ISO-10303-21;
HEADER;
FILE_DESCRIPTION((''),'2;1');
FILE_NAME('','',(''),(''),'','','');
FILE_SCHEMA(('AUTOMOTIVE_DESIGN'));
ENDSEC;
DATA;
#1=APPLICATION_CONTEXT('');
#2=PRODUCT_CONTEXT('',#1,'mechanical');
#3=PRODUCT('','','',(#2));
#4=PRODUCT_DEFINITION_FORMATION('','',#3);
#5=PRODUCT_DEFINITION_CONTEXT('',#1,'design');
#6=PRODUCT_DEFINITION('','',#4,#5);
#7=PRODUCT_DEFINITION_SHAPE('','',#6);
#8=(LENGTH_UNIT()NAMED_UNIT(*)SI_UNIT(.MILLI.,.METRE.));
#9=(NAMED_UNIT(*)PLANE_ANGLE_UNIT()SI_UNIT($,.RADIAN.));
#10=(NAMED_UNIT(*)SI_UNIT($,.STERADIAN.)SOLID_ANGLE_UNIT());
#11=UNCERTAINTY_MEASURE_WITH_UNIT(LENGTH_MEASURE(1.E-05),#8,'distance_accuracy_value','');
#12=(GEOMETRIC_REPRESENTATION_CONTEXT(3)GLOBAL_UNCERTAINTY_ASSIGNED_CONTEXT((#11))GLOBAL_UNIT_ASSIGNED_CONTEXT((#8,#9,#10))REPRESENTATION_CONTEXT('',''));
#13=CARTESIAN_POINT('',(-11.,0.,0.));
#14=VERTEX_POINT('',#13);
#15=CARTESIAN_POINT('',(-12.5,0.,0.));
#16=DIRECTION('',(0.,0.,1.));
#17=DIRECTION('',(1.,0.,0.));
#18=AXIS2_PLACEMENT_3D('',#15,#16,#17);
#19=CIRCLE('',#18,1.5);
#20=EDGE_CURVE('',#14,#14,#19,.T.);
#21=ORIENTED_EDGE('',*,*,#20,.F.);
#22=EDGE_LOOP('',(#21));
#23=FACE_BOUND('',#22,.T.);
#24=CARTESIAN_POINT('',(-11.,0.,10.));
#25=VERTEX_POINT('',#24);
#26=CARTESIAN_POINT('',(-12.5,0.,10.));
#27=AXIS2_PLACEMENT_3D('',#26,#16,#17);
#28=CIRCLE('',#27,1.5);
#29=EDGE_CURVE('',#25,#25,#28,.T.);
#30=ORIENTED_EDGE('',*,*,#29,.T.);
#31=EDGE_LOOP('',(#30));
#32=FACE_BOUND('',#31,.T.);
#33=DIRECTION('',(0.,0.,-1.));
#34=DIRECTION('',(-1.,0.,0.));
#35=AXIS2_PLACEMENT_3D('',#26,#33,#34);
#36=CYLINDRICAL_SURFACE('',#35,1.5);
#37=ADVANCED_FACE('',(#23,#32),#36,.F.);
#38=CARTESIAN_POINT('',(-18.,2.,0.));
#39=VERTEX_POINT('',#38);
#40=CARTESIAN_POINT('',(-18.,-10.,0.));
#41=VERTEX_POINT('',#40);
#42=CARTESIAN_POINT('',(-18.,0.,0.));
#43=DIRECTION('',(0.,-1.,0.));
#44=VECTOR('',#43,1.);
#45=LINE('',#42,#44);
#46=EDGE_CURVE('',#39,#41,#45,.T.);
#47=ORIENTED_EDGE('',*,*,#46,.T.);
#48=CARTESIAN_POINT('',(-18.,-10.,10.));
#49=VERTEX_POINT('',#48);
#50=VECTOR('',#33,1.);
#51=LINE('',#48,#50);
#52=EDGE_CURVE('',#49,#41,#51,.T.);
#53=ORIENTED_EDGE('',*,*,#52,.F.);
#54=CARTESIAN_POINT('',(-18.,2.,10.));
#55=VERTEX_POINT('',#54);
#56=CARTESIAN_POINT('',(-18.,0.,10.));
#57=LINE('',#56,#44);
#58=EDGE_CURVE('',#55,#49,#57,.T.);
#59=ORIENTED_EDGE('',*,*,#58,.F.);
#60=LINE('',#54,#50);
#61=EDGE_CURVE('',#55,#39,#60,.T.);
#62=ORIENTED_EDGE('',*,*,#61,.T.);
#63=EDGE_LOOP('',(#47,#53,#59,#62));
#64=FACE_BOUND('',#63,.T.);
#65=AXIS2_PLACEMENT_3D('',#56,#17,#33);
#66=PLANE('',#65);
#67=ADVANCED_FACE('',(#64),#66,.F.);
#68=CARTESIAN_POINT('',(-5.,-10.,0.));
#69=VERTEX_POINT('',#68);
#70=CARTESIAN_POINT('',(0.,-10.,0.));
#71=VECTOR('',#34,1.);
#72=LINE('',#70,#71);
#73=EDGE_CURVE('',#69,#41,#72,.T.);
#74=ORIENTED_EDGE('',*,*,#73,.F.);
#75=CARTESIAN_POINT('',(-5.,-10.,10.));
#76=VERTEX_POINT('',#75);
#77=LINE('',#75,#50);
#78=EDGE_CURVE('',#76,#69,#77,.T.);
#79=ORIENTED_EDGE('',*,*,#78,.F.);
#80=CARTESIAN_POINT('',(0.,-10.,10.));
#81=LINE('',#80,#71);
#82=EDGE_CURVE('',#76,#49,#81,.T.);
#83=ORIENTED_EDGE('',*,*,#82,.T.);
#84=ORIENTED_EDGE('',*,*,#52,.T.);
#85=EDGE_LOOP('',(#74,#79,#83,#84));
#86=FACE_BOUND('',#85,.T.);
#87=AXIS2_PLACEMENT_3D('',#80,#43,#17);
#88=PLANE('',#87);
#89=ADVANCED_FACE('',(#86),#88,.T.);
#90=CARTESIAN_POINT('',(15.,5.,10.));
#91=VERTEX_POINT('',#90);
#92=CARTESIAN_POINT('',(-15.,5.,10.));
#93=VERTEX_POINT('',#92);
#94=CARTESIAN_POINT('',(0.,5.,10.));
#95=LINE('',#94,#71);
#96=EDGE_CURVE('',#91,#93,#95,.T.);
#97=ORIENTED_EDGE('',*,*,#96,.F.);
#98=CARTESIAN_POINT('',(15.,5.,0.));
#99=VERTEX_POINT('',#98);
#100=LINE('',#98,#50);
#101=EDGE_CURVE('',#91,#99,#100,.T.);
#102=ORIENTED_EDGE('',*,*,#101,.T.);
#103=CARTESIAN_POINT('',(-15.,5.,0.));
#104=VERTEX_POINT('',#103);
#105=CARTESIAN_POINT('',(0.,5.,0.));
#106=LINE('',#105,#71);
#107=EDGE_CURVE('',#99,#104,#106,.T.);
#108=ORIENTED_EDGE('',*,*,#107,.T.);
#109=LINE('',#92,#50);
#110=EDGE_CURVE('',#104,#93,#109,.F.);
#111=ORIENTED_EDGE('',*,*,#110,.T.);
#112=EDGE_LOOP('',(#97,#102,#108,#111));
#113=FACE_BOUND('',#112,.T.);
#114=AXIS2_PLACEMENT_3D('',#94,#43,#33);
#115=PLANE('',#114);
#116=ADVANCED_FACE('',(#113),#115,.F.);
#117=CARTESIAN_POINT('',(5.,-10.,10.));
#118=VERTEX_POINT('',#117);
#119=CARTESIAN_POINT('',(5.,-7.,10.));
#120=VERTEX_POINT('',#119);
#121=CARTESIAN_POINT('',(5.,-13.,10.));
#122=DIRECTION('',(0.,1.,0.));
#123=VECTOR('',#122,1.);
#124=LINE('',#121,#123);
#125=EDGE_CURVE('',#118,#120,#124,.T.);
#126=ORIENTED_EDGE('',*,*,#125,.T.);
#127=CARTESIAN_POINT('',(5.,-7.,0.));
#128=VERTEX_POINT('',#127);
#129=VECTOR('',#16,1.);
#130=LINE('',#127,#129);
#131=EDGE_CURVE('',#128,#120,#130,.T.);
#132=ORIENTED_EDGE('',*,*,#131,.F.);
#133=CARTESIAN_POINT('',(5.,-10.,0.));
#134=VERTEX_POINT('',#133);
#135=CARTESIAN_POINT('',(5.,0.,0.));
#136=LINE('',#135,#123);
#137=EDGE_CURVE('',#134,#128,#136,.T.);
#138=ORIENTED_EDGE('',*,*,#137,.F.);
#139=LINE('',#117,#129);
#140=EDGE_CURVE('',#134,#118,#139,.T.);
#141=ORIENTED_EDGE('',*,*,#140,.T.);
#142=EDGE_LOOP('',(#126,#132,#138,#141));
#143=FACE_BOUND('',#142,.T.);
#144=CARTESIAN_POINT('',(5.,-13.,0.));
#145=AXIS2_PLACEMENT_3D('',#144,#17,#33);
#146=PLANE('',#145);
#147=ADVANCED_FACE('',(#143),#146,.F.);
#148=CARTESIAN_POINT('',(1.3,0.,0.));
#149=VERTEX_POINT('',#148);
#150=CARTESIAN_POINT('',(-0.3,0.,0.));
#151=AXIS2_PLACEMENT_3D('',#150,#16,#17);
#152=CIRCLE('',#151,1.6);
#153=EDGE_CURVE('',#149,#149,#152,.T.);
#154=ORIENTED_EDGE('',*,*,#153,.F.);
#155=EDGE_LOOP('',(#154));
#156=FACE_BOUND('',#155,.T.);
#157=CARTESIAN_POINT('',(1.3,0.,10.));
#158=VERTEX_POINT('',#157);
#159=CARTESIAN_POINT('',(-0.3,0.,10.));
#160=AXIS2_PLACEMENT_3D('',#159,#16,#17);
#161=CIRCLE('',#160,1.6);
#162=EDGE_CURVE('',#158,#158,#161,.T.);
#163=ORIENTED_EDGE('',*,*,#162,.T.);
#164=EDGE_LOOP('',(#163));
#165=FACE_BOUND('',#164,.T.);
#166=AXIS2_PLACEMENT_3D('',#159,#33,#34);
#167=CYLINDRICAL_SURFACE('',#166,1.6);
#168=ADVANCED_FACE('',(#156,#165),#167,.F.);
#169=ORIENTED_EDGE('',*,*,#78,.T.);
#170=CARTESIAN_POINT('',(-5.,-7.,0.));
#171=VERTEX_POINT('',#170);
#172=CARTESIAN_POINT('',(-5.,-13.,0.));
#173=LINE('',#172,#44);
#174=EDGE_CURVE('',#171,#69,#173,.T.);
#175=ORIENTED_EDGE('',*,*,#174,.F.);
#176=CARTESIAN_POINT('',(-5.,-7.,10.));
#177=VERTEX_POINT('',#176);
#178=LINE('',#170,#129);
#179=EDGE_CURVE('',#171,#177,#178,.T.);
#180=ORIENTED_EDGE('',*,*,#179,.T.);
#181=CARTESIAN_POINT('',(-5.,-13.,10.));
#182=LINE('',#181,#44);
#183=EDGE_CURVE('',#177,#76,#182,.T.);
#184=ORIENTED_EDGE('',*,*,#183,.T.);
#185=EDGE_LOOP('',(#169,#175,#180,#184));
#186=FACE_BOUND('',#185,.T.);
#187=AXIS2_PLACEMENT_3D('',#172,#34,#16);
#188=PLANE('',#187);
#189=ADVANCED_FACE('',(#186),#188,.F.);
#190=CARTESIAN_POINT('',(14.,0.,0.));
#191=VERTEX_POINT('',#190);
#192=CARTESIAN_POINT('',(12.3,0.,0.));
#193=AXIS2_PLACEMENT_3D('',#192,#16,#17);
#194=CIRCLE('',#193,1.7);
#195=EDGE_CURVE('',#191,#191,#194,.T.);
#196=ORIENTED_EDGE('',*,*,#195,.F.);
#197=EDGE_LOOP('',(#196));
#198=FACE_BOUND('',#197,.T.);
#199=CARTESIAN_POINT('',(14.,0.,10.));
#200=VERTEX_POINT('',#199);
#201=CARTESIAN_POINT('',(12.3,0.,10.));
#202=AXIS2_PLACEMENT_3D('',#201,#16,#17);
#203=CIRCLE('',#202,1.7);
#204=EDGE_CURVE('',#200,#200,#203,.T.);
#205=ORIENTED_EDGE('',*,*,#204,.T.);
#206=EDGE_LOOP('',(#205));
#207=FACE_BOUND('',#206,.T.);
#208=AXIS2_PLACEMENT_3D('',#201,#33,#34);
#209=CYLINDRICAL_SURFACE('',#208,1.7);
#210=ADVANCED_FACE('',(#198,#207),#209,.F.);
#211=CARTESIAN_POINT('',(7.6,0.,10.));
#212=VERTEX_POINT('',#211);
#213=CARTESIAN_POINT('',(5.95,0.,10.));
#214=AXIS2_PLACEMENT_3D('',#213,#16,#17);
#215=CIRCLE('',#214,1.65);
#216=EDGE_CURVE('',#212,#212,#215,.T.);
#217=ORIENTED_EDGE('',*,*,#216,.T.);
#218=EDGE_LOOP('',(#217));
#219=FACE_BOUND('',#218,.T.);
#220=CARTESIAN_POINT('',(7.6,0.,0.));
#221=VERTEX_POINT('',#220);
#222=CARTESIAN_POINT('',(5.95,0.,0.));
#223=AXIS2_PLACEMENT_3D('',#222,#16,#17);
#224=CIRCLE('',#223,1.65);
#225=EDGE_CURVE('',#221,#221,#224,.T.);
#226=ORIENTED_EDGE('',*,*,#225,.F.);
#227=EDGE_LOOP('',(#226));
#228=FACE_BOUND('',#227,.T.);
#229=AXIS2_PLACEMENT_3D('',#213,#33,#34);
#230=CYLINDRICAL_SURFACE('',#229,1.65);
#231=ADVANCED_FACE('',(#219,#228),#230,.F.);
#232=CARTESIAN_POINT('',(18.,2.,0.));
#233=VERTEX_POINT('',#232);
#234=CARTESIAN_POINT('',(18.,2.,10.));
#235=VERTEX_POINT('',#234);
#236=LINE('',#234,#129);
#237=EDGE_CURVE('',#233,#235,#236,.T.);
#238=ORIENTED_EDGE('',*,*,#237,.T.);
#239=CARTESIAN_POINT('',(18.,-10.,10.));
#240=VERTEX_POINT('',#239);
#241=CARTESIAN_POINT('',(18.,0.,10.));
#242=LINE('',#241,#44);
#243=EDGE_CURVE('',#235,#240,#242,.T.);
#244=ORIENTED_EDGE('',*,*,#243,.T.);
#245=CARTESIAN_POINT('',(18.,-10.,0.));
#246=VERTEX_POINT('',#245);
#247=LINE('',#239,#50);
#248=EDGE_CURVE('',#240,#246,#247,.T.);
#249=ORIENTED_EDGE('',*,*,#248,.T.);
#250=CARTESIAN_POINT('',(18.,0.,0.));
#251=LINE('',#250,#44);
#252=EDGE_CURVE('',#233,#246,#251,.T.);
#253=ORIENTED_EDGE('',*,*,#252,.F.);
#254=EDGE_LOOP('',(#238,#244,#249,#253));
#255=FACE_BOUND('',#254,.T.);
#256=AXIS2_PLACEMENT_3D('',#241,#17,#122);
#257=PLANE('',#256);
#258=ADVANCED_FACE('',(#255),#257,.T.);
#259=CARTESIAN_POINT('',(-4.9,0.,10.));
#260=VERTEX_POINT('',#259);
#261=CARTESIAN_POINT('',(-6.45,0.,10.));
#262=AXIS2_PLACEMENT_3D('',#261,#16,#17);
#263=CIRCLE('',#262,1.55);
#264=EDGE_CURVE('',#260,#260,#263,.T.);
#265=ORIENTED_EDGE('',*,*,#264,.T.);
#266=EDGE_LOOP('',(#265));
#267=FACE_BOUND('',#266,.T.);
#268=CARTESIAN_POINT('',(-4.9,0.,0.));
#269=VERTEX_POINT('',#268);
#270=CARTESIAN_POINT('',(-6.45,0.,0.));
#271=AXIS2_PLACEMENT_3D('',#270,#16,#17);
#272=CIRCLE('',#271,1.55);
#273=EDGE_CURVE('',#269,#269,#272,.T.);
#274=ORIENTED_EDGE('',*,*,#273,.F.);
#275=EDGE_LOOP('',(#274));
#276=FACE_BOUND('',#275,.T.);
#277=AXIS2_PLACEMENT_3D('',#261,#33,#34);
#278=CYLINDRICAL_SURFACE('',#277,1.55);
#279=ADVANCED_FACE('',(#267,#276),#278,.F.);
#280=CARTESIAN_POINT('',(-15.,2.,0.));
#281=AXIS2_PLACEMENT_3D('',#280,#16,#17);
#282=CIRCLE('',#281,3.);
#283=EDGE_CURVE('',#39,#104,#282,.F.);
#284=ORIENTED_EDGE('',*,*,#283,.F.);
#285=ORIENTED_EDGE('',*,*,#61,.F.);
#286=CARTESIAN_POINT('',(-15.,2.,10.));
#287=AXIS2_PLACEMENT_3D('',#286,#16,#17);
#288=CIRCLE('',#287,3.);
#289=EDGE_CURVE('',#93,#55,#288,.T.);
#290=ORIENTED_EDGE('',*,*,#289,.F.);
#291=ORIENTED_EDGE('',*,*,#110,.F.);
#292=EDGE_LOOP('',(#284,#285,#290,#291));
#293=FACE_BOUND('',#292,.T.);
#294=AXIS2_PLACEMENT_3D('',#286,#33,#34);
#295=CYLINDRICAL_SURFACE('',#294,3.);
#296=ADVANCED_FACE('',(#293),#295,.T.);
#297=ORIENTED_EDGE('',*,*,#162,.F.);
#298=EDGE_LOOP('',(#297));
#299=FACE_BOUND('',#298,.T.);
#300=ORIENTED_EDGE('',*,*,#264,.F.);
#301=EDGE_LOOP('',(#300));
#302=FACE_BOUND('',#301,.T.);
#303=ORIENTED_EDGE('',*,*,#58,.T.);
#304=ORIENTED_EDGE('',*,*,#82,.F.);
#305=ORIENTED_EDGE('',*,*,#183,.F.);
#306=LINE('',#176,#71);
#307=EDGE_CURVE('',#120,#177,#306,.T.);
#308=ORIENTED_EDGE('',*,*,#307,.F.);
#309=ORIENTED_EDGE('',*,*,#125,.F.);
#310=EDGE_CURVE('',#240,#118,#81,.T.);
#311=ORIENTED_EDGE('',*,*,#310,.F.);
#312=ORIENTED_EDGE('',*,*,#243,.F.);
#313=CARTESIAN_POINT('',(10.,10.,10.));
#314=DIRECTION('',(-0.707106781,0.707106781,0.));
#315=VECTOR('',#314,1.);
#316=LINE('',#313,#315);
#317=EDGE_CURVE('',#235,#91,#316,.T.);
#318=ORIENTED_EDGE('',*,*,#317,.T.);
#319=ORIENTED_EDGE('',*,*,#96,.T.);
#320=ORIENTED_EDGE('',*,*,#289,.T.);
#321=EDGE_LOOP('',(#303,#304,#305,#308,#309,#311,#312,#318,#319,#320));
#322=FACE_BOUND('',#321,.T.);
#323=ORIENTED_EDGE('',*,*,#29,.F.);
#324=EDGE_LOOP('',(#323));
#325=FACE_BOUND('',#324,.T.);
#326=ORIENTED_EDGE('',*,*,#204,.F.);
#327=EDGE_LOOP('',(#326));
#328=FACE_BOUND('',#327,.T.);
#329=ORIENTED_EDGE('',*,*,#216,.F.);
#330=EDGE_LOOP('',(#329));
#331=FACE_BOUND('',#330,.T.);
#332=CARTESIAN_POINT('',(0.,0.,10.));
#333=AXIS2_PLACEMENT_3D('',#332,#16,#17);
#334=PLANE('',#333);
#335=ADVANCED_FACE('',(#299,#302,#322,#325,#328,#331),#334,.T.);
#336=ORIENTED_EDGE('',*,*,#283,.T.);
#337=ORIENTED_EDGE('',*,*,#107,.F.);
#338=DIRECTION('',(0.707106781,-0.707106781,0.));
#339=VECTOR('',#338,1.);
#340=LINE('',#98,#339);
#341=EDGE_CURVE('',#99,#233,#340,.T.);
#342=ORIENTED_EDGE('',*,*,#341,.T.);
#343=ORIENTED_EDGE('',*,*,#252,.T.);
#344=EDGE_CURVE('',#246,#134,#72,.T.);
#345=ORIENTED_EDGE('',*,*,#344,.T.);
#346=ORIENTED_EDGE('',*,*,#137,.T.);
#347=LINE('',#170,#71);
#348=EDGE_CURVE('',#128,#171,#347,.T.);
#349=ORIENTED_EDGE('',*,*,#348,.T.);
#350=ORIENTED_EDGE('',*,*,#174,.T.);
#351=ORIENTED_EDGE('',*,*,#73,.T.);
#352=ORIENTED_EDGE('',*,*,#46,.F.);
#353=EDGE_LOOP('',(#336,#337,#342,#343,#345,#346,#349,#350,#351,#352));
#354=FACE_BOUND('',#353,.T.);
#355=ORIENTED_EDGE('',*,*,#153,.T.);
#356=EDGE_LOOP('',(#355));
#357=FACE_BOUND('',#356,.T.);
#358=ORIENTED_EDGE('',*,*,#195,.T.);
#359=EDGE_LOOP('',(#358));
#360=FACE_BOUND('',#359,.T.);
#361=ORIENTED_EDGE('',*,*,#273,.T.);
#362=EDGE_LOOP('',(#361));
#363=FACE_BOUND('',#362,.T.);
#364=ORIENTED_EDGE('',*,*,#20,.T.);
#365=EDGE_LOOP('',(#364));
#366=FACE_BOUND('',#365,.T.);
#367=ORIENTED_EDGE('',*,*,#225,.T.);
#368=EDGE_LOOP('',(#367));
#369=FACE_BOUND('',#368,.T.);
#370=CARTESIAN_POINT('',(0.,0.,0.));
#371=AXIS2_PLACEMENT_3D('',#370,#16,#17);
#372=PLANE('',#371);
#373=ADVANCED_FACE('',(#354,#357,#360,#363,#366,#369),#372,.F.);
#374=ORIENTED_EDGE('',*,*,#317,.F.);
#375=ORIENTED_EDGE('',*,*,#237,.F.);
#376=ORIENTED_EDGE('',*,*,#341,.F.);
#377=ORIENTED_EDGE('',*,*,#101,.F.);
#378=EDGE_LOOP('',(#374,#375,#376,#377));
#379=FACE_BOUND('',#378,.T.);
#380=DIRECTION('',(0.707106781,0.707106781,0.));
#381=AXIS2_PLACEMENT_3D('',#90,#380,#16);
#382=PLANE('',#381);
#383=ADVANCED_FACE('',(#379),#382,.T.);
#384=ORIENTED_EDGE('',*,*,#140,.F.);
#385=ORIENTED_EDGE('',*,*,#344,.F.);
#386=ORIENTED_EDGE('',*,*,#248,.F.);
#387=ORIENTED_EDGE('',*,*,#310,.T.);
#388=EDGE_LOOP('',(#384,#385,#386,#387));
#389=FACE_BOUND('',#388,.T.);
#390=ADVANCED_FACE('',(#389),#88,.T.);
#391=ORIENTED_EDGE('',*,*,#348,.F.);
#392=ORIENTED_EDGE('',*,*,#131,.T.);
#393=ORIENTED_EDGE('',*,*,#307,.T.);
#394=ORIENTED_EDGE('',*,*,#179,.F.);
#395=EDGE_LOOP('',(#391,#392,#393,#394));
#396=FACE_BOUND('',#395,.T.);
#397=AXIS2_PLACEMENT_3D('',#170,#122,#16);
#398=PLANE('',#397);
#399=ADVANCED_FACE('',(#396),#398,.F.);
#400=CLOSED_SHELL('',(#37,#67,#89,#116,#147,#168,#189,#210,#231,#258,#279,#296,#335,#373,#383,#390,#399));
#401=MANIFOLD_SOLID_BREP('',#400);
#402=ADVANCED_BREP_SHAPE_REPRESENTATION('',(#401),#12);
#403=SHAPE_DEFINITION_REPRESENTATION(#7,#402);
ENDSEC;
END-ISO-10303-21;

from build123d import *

# Parameters (mm, degrees)
SKETCH1_W           = 36
SKETCH1_H           = 15
SKETCH1_R           = 1.7
SKETCH1_R_2         = 1.65
SKETCH1_R_3         = 1.6
SKETCH1_R_4         = 1.5
SKETCH1_R_5         = 1.55
BOSS_EXTRUDE1_DEPTH = 10
FILLET2_R           = 3
CHAMFER2_SIZE       = 3
SKETCH3_W           = 10
SKETCH3_H           = 6
CUT_EXTRUDE1_DEPTH  = 10


with BuildPart() as part:
    # Sketch1 → Boss-Extrude1 (new body)
    with BuildSketch(Plane.XY):
        with Locations((0, -2.5)):
            Rectangle(SKETCH1_W, SKETCH1_H)
        with Locations((12.3, 0)):
            Circle(SKETCH1_R, mode=Mode.SUBTRACT)
        with Locations((5.95, 0)):
            Circle(SKETCH1_R_2, mode=Mode.SUBTRACT)
        with Locations((-0.3, 0)):
            Circle(SKETCH1_R_3, mode=Mode.SUBTRACT)
        with Locations((-12.5, 0)):
            Circle(SKETCH1_R_4, mode=Mode.SUBTRACT)
        with Locations((-6.45, 0)):
            Circle(SKETCH1_R_5, mode=Mode.SUBTRACT)
    extrude(amount=BOSS_EXTRUDE1_DEPTH)

    # Fillet2
    fillet2_edges = [part.edges().sort_by_distance(p)[0] for p in [
        (-18, 5, 5),
    ]]
    fillet(fillet2_edges, radius=FILLET2_R)

    # Chamfer2
    chamfer2_edges = [part.edges().sort_by_distance(p)[0] for p in [
        (18, 5, 5),
    ]]
    chamfer(chamfer2_edges, length=CHAMFER2_SIZE)

    # Sketch3 → Cut-Extrude1 (cut)
    with BuildSketch(Plane.XY.offset(10)):
        with Locations((0, -10)):
            Rectangle(SKETCH3_W, SKETCH3_H)
    extrude(amount=-CUT_EXTRUDE1_DEPTH, mode=Mode.SUBTRACT)


solid = part.part
